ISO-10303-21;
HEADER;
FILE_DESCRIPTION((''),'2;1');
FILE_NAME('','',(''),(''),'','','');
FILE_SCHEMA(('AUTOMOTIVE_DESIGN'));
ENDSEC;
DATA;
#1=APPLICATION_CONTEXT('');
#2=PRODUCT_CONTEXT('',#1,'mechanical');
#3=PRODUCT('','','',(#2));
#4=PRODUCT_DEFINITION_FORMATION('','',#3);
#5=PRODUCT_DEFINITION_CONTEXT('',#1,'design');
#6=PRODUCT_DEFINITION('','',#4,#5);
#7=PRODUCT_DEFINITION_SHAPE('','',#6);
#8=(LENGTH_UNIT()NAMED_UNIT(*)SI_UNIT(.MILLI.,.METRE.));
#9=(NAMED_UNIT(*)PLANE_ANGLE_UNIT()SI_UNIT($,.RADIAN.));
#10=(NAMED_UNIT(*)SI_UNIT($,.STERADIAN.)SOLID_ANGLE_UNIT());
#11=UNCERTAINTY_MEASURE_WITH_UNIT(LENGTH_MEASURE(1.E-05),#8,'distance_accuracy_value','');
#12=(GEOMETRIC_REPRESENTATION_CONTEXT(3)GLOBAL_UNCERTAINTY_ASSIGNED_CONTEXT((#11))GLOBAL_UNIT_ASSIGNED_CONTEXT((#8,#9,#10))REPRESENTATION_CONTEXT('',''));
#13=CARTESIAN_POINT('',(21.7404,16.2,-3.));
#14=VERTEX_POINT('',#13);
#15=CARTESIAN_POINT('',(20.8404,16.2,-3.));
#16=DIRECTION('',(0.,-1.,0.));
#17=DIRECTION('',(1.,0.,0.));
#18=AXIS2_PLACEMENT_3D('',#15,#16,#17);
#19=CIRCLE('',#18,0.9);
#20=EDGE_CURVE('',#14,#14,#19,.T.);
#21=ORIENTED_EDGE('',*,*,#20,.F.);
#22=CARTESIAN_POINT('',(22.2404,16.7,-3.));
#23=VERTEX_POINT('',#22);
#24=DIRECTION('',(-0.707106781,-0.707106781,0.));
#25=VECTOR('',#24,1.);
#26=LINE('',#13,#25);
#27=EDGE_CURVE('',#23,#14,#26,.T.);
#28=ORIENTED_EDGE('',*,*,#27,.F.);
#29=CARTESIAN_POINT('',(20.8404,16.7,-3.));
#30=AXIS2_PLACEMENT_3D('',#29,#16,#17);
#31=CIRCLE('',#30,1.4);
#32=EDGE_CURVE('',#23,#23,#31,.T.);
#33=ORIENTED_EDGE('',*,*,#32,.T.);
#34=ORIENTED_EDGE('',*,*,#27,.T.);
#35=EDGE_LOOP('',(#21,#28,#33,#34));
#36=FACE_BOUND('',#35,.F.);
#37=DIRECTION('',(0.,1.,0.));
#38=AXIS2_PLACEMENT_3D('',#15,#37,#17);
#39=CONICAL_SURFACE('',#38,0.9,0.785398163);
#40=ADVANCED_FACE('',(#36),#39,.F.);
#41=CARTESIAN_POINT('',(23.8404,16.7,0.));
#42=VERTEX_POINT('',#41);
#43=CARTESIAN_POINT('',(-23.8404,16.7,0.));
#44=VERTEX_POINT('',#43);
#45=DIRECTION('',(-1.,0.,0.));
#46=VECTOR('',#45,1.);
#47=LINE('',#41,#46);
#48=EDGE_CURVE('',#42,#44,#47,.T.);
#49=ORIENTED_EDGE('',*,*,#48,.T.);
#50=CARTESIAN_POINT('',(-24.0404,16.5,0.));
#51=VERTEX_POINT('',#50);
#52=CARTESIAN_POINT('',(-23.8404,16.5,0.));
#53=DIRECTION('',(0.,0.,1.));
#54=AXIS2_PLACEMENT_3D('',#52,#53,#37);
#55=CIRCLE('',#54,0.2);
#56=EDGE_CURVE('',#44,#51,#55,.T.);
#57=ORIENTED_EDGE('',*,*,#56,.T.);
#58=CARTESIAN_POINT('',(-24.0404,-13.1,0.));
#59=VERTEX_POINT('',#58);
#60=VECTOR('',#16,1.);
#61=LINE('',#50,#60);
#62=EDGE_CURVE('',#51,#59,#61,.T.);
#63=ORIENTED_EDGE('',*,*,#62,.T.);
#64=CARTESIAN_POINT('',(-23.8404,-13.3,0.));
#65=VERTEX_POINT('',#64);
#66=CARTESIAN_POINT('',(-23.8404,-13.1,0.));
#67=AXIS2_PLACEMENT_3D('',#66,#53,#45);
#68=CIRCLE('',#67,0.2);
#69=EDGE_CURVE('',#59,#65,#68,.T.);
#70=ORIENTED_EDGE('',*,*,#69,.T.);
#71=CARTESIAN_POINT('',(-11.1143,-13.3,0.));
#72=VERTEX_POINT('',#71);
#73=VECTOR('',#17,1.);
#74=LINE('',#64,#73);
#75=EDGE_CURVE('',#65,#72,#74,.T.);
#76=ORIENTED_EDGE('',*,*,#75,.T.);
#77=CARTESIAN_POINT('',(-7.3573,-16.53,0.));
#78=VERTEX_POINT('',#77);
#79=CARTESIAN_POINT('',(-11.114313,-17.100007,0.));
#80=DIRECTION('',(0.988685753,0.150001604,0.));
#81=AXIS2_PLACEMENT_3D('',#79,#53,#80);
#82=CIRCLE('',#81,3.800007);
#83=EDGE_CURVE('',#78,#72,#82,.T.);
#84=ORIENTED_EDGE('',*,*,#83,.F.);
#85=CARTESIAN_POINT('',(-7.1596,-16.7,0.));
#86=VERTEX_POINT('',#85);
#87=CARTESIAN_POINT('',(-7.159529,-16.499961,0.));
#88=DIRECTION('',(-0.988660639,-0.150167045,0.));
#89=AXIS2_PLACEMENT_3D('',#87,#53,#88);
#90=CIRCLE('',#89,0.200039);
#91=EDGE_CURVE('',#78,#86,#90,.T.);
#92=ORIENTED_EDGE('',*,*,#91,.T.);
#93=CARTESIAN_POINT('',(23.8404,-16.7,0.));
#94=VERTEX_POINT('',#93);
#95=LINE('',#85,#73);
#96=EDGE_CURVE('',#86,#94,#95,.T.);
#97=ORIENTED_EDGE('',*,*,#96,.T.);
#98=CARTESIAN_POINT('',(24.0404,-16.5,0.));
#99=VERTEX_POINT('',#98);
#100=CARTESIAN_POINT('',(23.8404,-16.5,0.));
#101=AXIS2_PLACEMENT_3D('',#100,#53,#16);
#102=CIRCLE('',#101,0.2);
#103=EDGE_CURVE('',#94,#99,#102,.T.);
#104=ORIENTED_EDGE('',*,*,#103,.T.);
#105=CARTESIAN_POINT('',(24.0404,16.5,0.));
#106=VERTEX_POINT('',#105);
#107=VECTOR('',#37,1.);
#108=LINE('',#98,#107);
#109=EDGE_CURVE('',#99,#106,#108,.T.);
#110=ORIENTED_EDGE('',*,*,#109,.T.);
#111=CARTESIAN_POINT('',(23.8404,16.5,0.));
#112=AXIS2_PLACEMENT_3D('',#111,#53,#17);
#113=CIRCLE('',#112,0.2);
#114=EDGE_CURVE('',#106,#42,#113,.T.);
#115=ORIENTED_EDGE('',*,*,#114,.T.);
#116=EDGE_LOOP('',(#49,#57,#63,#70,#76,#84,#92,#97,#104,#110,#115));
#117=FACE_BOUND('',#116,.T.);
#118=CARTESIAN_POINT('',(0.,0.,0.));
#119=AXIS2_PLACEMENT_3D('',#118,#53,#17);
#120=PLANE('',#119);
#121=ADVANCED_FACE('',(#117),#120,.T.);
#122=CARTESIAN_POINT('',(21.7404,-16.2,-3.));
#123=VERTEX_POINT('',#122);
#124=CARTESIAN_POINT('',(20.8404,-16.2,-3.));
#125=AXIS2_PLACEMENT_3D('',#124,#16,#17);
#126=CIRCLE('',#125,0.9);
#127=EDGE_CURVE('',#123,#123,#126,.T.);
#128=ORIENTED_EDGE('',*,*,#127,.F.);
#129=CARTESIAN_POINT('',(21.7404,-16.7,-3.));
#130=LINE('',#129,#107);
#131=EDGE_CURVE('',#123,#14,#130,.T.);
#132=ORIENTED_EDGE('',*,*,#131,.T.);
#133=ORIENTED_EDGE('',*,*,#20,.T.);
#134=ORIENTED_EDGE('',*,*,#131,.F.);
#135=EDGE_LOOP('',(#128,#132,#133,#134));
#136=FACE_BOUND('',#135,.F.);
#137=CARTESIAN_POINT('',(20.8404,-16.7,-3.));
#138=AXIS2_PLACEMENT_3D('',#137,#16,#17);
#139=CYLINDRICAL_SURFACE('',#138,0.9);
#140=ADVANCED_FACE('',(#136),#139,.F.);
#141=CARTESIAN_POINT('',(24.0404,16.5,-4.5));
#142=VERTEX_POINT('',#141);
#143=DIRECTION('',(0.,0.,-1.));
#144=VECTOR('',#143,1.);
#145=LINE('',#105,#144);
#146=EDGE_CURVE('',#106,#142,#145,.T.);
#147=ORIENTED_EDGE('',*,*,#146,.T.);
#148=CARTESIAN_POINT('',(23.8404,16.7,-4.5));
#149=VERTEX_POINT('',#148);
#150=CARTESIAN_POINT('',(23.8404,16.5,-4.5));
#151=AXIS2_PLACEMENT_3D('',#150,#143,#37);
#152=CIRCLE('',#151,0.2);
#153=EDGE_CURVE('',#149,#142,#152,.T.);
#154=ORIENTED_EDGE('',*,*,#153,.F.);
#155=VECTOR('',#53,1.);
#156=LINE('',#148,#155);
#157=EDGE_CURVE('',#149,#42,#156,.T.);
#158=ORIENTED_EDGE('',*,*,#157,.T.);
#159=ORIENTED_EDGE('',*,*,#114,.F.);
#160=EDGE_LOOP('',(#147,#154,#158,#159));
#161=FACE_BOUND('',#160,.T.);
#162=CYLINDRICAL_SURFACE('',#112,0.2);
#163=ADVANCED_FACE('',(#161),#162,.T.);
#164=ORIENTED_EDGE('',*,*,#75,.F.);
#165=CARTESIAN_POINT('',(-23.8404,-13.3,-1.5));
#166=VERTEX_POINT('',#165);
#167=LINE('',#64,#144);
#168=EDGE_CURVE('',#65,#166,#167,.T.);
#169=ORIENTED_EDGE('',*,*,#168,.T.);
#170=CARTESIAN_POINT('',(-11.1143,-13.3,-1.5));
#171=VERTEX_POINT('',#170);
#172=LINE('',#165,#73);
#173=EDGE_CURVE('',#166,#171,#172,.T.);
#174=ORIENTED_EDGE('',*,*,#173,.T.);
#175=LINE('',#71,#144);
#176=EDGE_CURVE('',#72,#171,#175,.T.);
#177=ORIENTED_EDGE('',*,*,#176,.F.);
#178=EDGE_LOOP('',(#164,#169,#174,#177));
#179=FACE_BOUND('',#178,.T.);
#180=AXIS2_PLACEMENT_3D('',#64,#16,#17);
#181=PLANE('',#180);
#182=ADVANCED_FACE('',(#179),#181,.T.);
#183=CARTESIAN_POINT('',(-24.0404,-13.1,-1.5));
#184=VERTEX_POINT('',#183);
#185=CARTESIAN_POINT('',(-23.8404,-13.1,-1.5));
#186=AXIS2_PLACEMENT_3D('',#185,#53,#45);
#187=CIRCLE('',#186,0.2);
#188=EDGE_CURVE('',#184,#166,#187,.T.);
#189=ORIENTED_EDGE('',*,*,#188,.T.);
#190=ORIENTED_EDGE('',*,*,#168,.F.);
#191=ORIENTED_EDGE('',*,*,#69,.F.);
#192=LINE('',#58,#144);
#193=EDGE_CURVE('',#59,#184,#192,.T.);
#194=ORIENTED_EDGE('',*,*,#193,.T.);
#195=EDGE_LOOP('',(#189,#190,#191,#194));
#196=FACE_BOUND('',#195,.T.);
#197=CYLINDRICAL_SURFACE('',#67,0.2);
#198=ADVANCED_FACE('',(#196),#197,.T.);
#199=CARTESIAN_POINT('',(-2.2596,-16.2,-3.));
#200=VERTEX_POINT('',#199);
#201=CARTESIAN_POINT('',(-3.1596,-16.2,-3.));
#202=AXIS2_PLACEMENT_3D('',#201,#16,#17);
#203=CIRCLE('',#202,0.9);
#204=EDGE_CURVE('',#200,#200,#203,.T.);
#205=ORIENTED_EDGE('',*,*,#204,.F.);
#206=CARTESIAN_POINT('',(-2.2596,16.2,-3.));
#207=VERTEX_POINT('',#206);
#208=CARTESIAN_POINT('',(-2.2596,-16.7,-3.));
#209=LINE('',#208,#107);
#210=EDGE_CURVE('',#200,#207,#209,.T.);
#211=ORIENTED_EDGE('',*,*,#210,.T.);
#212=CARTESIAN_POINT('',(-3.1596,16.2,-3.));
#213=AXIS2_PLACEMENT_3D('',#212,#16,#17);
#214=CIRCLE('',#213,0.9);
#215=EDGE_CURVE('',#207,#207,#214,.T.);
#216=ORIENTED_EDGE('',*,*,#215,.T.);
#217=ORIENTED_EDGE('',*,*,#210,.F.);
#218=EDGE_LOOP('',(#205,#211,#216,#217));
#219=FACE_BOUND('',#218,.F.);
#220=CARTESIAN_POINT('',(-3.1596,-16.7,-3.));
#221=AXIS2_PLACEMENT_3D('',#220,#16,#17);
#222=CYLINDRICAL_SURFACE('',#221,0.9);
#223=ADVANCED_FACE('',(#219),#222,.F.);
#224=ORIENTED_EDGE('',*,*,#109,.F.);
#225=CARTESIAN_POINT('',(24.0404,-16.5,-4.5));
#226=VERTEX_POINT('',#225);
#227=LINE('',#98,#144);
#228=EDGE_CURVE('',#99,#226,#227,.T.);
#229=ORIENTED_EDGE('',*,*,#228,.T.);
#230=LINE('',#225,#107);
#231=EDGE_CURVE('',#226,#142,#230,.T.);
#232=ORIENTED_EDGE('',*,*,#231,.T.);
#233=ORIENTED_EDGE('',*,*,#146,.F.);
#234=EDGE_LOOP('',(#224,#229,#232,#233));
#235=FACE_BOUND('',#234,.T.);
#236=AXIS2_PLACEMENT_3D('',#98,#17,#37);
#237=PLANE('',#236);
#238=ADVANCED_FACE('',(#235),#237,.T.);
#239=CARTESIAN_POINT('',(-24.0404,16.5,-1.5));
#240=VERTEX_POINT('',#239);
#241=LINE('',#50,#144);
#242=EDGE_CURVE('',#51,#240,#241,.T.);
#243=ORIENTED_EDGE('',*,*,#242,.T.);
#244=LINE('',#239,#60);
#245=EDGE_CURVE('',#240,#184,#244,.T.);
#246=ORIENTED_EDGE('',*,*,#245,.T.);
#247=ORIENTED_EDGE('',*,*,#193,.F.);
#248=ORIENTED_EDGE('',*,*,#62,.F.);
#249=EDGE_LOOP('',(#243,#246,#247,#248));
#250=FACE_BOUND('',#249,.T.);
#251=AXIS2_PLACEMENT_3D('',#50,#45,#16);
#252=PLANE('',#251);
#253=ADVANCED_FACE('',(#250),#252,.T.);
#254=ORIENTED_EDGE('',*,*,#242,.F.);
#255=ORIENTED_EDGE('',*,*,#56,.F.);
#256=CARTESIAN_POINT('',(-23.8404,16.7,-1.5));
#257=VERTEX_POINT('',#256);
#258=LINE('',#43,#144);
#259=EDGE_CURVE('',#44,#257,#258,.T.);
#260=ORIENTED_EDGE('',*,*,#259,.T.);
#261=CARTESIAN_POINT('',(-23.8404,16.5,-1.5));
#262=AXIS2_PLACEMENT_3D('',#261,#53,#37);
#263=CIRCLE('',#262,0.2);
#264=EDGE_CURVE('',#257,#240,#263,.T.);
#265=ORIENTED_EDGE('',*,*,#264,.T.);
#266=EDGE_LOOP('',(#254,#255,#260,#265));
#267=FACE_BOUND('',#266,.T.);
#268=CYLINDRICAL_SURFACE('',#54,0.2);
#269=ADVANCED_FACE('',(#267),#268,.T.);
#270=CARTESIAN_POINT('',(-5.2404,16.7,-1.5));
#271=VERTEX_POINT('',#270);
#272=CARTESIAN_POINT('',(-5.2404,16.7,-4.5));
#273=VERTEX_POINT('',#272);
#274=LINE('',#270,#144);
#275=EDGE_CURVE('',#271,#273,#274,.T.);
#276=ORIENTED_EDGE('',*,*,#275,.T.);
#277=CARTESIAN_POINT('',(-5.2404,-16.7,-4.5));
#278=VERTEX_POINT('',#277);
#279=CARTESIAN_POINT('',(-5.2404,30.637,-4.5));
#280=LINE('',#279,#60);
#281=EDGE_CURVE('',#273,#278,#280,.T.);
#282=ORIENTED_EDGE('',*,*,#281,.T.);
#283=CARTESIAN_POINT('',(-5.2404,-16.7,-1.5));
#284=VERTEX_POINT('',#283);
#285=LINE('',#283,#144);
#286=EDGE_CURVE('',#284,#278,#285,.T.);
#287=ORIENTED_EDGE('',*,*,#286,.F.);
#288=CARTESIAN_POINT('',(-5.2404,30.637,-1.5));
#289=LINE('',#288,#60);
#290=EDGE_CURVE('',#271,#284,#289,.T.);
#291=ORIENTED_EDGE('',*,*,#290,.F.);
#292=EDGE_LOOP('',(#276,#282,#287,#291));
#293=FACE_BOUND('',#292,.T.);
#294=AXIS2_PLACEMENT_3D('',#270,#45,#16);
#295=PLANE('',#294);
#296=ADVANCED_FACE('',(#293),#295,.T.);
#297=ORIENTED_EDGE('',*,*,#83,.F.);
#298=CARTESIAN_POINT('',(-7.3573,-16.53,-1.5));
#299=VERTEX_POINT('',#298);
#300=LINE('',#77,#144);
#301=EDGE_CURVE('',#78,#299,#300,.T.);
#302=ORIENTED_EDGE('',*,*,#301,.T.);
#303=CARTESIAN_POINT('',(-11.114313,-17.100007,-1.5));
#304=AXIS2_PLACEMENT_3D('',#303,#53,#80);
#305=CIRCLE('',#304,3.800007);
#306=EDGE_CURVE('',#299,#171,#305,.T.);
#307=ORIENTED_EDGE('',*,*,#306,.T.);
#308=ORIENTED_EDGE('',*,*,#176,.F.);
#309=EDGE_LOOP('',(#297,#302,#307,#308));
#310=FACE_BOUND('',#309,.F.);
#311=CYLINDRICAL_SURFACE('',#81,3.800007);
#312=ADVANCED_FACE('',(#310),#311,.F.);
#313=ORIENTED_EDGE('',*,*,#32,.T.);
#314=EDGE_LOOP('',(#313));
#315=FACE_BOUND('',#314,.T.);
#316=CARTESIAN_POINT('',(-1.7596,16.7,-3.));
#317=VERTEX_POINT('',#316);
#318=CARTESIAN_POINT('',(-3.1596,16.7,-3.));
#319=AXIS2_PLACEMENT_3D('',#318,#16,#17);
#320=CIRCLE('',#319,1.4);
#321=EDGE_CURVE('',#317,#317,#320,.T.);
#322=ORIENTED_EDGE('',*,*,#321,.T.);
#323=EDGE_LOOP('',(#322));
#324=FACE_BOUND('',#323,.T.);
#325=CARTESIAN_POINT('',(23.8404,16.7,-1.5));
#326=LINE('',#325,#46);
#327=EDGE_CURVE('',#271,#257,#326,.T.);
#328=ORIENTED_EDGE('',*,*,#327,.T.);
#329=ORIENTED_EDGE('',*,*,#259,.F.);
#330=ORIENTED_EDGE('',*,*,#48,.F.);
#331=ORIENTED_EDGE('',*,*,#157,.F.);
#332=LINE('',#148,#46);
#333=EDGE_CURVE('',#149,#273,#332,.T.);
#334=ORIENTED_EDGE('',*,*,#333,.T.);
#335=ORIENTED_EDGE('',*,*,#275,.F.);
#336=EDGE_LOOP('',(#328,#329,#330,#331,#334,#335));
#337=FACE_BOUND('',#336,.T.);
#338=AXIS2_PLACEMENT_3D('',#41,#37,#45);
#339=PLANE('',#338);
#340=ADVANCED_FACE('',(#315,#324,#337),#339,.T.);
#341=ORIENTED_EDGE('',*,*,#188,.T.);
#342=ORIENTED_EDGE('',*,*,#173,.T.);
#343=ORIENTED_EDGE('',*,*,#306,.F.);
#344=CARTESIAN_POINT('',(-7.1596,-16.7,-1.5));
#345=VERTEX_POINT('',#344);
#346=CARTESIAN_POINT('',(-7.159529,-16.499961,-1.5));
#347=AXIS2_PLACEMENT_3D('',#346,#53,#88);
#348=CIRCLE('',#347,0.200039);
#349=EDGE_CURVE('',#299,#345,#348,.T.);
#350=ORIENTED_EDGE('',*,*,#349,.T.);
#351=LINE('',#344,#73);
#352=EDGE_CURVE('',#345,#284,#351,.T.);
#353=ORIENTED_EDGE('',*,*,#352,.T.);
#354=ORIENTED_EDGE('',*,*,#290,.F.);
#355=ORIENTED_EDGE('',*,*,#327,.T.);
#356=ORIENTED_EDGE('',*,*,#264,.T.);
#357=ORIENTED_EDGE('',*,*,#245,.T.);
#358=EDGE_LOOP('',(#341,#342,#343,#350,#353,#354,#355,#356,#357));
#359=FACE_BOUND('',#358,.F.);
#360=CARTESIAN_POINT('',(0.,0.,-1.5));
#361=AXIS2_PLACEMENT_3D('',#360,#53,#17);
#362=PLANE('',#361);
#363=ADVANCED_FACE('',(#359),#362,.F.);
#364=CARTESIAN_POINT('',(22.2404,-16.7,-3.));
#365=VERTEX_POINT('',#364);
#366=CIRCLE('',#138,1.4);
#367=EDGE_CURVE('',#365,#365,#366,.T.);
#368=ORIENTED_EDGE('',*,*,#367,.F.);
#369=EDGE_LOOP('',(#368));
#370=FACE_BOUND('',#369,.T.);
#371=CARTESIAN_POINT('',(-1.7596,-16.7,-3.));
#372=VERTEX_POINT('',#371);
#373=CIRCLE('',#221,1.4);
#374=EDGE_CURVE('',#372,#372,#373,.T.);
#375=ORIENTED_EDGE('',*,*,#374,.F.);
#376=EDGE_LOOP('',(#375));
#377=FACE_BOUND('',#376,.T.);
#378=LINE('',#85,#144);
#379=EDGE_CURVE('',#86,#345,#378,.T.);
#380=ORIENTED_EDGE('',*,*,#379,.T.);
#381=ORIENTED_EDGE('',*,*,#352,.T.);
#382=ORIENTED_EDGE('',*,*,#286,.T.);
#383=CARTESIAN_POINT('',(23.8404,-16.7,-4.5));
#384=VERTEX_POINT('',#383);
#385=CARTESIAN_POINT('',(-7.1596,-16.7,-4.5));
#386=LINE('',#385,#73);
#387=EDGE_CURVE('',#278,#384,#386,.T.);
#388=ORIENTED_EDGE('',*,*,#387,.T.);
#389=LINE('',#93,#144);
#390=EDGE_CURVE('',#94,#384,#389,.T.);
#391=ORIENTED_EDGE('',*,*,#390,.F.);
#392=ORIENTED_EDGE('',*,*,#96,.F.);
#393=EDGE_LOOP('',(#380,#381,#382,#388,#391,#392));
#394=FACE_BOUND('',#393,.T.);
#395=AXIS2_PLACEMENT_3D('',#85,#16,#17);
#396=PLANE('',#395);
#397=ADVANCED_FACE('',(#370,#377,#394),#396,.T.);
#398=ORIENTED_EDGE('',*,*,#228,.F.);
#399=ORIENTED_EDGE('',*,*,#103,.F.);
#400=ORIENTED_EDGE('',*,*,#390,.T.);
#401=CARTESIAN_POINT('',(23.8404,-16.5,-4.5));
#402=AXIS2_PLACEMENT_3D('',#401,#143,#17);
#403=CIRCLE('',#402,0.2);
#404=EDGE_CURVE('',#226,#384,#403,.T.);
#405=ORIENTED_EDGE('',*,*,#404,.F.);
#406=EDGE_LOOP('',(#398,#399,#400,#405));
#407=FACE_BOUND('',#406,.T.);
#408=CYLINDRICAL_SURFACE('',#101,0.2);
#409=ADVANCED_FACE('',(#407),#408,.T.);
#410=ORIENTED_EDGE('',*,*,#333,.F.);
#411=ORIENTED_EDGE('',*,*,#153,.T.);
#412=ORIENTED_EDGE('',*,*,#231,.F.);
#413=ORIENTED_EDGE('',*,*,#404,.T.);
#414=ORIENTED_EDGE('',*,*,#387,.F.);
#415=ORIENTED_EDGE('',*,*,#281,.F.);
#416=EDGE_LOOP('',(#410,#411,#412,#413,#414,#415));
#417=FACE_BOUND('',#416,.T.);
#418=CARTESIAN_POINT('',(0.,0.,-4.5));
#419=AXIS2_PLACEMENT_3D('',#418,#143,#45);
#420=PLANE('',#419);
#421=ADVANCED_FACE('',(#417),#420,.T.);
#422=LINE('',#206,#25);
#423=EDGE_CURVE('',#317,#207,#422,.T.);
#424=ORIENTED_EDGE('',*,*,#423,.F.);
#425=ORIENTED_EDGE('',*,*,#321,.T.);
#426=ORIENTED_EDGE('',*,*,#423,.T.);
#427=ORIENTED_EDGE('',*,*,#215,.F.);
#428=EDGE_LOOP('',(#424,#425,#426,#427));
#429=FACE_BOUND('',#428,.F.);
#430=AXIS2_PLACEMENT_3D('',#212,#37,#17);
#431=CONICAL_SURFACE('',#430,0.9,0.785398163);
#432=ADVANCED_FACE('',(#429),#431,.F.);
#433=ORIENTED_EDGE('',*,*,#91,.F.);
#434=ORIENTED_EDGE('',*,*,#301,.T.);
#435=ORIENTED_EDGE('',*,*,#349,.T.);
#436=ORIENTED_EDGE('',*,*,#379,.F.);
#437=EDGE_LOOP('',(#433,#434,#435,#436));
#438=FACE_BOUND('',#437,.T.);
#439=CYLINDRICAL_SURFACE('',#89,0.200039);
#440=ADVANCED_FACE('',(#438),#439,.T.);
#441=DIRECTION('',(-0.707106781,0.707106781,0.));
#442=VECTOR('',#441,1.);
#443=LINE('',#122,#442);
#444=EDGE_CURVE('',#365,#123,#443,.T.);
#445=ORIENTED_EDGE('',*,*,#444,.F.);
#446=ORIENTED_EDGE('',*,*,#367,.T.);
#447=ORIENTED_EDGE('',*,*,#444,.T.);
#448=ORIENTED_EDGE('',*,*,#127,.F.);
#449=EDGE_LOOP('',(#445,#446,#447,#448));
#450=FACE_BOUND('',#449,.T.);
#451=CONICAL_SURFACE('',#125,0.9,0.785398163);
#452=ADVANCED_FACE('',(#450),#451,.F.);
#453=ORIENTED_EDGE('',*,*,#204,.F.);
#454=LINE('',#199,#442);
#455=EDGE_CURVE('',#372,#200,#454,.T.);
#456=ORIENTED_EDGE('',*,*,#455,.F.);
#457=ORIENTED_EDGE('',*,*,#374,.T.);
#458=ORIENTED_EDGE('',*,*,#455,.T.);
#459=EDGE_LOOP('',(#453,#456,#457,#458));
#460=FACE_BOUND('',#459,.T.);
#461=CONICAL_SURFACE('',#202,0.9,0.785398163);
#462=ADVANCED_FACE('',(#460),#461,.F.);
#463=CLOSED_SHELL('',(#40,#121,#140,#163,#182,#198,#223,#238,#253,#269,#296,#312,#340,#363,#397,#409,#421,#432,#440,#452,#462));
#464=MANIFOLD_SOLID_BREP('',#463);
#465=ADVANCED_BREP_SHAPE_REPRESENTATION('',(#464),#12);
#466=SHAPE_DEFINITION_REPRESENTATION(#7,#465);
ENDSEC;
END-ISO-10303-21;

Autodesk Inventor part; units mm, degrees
ref_plane "YZ Plane" through (0, 0, 0) normal (1, 0, 0) x (0, 1, 0)
ref_plane "XZ Plane" through (0, 0, 0) normal (0, 1, 0) x (-1, 0, 0)
ref_plane "XY Plane" through (0, 0, 0) normal (0, 0, 1) x (1, 0, 0)
sketch "Skizze1" plane through (0, 0, 0) normal (0, 0, 1) x (1, 0, 0)
  line L0 (-7.1596, -18.5) -> (23.8404, -18.5) projected
  arc A0 (23.8404, -18.5) -> (25.8404, -16.5) centre (23.8404, -16.5) ccw projected
  line L1 (25.8404, -16.5) -> (25.8404, 16.5) projected
  arc A1 (25.8404, 16.5) -> (23.8404, 18.5) centre (23.8404, 16.5) ccw projected
  line L2 (23.8404, 18.5) -> (-23.8404, 18.5) projected
  arc A2 (-23.8404, 18.5) -> (-25.8404, 16.5) centre (-23.8404, 16.5) ccw projected
  line L3 (-25.8404, 16.5) -> (-25.8404, -13.1) projected
  arc A3 (-25.8404, -13.1) -> (-23.8404, -15.1) centre (-23.8404, -13.1) ccw projected
  line L4 (-23.8404, -15.1) -> (-11.1143, -15.1) projected
  arc A4 (-9.1369, -16.8) -> (-11.1143, -15.1) centre (-11.1143, -17.1) ccw projected
  arc A5 (-9.1369, -16.8) -> (-7.1596, -18.5) centre (-7.1596, -16.5) ccw projected
  line L5 (-24.3404, -13.1) -> (-24.3404, 16.5) projected
  arc A6 (-23.8404, 17) -> (-24.3404, 16.5) centre (-23.8404, 16.5) ccw projected
  line L6 (-23.8404, 17) -> (23.8404, 17) projected
  arc A7 (24.3404, 16.5) -> (23.8404, 17) centre (23.8404, 16.5) ccw projected
  line L7 (24.3404, 16.5) -> (24.3404, -16.5) projected
  arc A8 (23.8404, -17) -> (24.3404, -16.5) centre (23.8404, -16.5) ccw projected
  line L8 (23.8404, -17) -> (-7.1596, -17) projected
  arc A9 (-7.6539, -16.575) -> (-7.1596, -17) centre (-7.1596, -16.5) ccw projected
  arc A10 (-7.6539, -16.575) -> (-11.1143, -13.6) centre (-11.1143, -17.1) ccw projected
  line L9 (-11.1143, -13.6) -> (-23.8404, -13.6) projected
  arc A11 (-24.3404, -13.1) -> (-23.8404, -13.6) centre (-23.8404, -13.1) ccw projected
  line L10 (23.8404, 16.7) -> (-23.8404, 16.7)
  arc A12 (-23.8404, 16.7) -> (-24.0404, 16.5) centre (-23.8404, 16.5) ccw
  line L11 (-24.0404, 16.5) -> (-24.0404, -13.1)
  arc A13 (-24.0404, -13.1) -> (-23.8404, -13.3) centre (-23.8404, -13.1) ccw
  line L12 (-23.8404, -13.3) -> (-11.1143, -13.3)
  arc A14 (-7.3573, -16.53) -> (-11.1143, -13.3) centre (-11.1143, -17.1) ccw
  arc A15 (-7.3573, -16.53) -> (-7.1596, -16.7) centre (-7.1596, -16.5) ccw
  line L13 (-7.1596, -16.7) -> (23.8404, -16.7)
  arc A16 (23.8404, -16.7) -> (24.0404, -16.5) centre (23.8404, -16.5) ccw
  line L14 (24.0404, -16.5) -> (24.0404, 16.5)
  arc A17 (24.0404, 16.5) -> (23.8404, 16.7) centre (23.8404, 16.5) ccw
  point P0 (0, 0)
  dimension "d0" = 0.3
extrude "Extrusion1" add sketch "Skizze1" against normal blind 1.5 contours A17 L14 A16 L13 A15 A14 L12 A13 L11 A12 L10
sketch "Skizze2" plane through (0, 0, -1.5) normal (0, 0, -1) x (-1, 0, 0)
  line L0 (6.2404, -13.1) -> (6.2404, 16.5) projected
  arc A0 (11.1143, -13.3) -> (7.3573, -16.53) centre (11.1143, -17.1) ccw projected
  arc A1 (7.1596, -16.7) -> (7.3573, -16.53) centre (7.1596, -16.5) ccw projected
  line L1 (7.1596, -16.7) -> (-23.8404, -16.7) projected
  arc A2 (-24.0404, -16.5) -> (-23.8404, -16.7) centre (-23.8404, -16.5) ccw projected
  line L2 (-24.0404, -16.5) -> (-24.0404, 16.5) projected
  arc A3 (-23.8404, 16.7) -> (-24.0404, 16.5) centre (-23.8404, 16.5) ccw projected
  line L3 (-23.8404, 16.7) -> (23.8404, 16.7) projected
  arc A4 (24.0404, 16.5) -> (23.8404, 16.7) centre (23.8404, 16.5) ccw projected
  line L4 (24.0404, 16.5) -> (24.0404, -13.1) projected
  arc A5 (23.8404, -13.3) -> (24.0404, -13.1) centre (23.8404, -13.1) ccw projected
  line L5 (23.8404, -13.3) -> (11.1143, -13.3) projected
  line L6 (5.2404, -37.9441) -> (-28.2922, -37.9441)
  line L7 (-28.2922, -37.9441) -> (-28.2922, 30.637)
  line L8 (-28.2922, 30.637) -> (5.2404, 30.637)
  line L9 (5.2404, 30.637) -> (5.2404, -37.9441)
  point P0 (0, 0)
  point P1 (5.2404, -16.7)
  point P2 (5.2404, 16.7)
  dimension "d3" = 1
extrude "Extrusion2" add sketch "Skizze2" along normal blind 3 contours L1 A2 L2 A3 L3 L9
sketch "Skizze3" plane through (-7.1596, -16.7, 0) normal (0, -1, 0) x (1, 0, 0)
  circle A0 centre (28, -3) radius 2 projected
  circle A1 centre (4, -3) radius 2 projected
  circle A2 centre (28, -3) radius 0.9
  circle A3 centre (4, -3) radius 0.9
  point P0 (7.1596, 0)
  dimension "d6" = 1.8
  dimension "d7" = 1.8
extrude "Extrusion3" cut sketch "Skizze3" against normal through all contours A2 | A3
chamfer "Fase1" distance 0.5 angle 45 4 edges at (-4.0596, 16.7, -3) (19.9404, 16.7, -3) (19.9404, -16.7, -3) (-4.0596, -16.7, -3)
properties part number "Boden"
